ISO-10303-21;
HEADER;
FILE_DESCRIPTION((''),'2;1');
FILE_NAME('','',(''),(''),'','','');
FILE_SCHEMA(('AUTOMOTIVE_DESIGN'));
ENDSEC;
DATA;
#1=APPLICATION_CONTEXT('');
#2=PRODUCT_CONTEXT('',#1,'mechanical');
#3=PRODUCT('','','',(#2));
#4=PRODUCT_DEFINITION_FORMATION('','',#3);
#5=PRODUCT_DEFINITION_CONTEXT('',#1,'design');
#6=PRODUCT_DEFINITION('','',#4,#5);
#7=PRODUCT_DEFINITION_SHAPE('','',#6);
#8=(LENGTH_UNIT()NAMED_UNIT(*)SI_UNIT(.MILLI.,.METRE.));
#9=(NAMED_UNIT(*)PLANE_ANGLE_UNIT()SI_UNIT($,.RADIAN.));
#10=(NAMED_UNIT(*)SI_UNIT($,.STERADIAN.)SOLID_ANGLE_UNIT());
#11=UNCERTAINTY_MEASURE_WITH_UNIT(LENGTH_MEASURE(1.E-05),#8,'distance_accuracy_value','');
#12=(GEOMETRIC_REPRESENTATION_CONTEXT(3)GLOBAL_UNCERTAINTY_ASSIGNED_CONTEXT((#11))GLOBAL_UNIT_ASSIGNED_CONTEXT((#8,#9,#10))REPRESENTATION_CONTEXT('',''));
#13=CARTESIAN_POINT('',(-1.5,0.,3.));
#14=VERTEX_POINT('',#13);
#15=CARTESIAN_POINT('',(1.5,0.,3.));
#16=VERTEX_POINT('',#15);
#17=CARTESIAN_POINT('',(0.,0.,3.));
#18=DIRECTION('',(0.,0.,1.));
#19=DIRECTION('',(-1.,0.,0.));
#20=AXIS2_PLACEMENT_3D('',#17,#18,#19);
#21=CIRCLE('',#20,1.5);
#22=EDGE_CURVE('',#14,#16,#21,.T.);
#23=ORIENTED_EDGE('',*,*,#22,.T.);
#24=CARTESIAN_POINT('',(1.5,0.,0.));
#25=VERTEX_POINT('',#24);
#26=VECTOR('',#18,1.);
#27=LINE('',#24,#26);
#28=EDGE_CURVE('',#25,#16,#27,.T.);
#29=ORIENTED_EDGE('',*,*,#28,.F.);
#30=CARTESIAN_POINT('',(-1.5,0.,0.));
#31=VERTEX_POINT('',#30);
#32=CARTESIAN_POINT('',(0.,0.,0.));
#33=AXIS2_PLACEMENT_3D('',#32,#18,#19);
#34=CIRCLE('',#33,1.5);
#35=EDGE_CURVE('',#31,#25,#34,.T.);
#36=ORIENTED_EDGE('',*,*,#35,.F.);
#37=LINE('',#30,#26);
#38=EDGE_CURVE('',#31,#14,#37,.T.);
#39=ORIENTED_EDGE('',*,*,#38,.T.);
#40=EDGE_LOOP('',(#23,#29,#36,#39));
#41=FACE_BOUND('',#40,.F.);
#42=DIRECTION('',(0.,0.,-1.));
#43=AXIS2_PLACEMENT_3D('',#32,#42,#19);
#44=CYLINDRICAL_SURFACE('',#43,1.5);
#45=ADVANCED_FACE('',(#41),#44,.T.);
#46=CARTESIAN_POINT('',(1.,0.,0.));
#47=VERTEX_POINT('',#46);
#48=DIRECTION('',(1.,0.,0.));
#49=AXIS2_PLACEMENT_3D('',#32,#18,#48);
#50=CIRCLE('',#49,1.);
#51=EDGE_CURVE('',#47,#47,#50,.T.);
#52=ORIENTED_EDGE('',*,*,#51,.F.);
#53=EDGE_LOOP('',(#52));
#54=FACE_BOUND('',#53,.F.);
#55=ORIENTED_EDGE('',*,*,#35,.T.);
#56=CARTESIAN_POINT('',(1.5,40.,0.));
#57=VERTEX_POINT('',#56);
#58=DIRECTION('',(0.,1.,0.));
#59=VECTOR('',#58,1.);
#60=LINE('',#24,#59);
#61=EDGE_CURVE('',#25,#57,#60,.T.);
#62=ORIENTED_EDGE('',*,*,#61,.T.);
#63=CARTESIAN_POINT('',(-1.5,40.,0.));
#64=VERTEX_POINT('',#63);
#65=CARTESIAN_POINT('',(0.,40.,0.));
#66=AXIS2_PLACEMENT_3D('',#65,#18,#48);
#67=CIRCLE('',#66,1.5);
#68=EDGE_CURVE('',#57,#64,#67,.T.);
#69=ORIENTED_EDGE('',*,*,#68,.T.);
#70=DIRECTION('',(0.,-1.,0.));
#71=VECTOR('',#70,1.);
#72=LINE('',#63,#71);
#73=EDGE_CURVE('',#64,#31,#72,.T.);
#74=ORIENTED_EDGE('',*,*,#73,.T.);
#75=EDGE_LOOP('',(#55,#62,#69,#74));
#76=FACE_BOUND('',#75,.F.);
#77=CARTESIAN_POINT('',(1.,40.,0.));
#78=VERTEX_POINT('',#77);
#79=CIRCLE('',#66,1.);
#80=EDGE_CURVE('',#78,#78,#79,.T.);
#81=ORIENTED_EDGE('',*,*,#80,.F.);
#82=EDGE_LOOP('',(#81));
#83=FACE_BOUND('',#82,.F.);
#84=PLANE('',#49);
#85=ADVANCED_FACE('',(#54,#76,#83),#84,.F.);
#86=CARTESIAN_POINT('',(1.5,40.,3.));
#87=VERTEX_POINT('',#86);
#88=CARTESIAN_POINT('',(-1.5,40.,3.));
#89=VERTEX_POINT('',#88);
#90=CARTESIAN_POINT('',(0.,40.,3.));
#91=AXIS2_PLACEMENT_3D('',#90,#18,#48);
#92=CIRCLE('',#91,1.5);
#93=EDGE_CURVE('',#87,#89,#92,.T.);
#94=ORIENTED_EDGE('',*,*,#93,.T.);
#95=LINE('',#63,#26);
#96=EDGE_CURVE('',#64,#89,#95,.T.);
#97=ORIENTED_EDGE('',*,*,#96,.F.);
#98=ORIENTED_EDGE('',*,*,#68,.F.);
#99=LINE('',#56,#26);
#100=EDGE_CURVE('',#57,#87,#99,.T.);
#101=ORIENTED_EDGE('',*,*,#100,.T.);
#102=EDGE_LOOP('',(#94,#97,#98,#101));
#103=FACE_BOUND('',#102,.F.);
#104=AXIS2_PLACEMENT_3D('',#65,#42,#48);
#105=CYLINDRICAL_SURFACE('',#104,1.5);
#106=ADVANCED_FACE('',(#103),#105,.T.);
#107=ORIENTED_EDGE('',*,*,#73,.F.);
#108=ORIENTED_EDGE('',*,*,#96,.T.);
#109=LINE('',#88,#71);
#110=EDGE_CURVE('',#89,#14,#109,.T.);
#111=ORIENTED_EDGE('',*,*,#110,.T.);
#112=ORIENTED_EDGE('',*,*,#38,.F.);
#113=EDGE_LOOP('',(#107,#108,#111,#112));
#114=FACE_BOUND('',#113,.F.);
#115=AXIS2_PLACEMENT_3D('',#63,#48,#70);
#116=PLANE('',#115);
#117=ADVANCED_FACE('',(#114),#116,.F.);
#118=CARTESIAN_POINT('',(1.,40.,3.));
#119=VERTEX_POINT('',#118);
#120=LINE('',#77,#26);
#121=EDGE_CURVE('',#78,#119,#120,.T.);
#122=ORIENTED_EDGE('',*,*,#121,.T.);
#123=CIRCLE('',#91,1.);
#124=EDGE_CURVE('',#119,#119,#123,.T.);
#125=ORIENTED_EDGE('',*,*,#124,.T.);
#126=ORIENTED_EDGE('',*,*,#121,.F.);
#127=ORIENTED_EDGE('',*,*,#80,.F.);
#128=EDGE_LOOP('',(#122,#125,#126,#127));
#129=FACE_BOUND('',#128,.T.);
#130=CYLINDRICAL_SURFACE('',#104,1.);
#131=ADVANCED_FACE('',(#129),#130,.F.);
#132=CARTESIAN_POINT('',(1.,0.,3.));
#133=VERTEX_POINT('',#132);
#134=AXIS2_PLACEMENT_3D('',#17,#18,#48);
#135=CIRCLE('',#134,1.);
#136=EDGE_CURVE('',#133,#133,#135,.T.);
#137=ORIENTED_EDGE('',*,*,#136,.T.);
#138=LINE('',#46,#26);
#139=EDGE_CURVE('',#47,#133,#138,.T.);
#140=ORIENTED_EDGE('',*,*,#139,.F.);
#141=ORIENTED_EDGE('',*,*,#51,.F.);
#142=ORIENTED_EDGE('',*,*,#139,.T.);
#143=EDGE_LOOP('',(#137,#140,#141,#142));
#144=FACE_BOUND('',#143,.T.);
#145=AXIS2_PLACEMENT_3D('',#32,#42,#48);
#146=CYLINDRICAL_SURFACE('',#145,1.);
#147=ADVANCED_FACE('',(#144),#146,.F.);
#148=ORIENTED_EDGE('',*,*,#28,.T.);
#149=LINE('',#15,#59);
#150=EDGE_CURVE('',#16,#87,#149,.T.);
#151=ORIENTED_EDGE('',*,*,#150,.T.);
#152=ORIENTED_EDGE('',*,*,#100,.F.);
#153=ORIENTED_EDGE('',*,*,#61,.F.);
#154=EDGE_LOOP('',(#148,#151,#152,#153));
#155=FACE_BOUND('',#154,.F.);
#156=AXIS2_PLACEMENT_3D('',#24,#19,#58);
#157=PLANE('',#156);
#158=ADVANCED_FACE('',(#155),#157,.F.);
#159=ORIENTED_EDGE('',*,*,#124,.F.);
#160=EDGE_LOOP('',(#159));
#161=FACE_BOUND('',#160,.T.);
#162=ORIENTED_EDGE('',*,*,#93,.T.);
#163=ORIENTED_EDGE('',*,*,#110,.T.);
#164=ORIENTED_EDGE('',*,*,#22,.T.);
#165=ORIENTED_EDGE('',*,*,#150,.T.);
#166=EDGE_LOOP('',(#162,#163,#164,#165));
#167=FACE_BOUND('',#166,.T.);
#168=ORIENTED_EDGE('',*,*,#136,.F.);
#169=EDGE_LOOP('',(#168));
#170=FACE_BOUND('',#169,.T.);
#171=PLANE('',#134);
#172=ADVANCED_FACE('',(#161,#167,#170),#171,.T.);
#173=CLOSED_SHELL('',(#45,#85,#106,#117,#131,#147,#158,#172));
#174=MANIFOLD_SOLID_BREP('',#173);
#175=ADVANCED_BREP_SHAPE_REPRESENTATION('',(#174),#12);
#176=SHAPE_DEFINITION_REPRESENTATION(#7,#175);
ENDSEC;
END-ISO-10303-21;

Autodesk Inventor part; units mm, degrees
ref_plane "YZ Plane" through (0, 0, 0) normal (1, 0, 0) x (0, 1, 0)
ref_plane "XZ Plane" through (0, 0, 0) normal (0, 1, 0) x (-1, 0, 0)
ref_plane "XY Plane" through (0, 0, 0) normal (0, 0, 1) x (1, 0, 0)
sketch "草图1" plane through (0, 0, 0) normal (0, 0, 1) x (1, 0, 0)
  line L0 (0, 0) -> (0, 40) construction
  line L1 (1.5, 0) -> (1.5, 40)
  line L2 (-1.5, 40) -> (-1.5, 0)
  arc A0 (-1.5, 0) -> (1.5, 0) centre (0, 0) ccw
  arc A1 (1.5, 40) -> (-1.5, 40) centre (0, 40) ccw
  circle A2 centre (0, 40) radius 1
  circle A3 centre (0, 0) radius 1
  point P0 (0, 20)
  dimension "d0" = 2
  dimension "d1" = 1.5
  dimension "d2" = 2
  dimension "d5" = 40
extrude "拉伸1" add sketch "草图1" along normal blind 3
properties part number "轴"
